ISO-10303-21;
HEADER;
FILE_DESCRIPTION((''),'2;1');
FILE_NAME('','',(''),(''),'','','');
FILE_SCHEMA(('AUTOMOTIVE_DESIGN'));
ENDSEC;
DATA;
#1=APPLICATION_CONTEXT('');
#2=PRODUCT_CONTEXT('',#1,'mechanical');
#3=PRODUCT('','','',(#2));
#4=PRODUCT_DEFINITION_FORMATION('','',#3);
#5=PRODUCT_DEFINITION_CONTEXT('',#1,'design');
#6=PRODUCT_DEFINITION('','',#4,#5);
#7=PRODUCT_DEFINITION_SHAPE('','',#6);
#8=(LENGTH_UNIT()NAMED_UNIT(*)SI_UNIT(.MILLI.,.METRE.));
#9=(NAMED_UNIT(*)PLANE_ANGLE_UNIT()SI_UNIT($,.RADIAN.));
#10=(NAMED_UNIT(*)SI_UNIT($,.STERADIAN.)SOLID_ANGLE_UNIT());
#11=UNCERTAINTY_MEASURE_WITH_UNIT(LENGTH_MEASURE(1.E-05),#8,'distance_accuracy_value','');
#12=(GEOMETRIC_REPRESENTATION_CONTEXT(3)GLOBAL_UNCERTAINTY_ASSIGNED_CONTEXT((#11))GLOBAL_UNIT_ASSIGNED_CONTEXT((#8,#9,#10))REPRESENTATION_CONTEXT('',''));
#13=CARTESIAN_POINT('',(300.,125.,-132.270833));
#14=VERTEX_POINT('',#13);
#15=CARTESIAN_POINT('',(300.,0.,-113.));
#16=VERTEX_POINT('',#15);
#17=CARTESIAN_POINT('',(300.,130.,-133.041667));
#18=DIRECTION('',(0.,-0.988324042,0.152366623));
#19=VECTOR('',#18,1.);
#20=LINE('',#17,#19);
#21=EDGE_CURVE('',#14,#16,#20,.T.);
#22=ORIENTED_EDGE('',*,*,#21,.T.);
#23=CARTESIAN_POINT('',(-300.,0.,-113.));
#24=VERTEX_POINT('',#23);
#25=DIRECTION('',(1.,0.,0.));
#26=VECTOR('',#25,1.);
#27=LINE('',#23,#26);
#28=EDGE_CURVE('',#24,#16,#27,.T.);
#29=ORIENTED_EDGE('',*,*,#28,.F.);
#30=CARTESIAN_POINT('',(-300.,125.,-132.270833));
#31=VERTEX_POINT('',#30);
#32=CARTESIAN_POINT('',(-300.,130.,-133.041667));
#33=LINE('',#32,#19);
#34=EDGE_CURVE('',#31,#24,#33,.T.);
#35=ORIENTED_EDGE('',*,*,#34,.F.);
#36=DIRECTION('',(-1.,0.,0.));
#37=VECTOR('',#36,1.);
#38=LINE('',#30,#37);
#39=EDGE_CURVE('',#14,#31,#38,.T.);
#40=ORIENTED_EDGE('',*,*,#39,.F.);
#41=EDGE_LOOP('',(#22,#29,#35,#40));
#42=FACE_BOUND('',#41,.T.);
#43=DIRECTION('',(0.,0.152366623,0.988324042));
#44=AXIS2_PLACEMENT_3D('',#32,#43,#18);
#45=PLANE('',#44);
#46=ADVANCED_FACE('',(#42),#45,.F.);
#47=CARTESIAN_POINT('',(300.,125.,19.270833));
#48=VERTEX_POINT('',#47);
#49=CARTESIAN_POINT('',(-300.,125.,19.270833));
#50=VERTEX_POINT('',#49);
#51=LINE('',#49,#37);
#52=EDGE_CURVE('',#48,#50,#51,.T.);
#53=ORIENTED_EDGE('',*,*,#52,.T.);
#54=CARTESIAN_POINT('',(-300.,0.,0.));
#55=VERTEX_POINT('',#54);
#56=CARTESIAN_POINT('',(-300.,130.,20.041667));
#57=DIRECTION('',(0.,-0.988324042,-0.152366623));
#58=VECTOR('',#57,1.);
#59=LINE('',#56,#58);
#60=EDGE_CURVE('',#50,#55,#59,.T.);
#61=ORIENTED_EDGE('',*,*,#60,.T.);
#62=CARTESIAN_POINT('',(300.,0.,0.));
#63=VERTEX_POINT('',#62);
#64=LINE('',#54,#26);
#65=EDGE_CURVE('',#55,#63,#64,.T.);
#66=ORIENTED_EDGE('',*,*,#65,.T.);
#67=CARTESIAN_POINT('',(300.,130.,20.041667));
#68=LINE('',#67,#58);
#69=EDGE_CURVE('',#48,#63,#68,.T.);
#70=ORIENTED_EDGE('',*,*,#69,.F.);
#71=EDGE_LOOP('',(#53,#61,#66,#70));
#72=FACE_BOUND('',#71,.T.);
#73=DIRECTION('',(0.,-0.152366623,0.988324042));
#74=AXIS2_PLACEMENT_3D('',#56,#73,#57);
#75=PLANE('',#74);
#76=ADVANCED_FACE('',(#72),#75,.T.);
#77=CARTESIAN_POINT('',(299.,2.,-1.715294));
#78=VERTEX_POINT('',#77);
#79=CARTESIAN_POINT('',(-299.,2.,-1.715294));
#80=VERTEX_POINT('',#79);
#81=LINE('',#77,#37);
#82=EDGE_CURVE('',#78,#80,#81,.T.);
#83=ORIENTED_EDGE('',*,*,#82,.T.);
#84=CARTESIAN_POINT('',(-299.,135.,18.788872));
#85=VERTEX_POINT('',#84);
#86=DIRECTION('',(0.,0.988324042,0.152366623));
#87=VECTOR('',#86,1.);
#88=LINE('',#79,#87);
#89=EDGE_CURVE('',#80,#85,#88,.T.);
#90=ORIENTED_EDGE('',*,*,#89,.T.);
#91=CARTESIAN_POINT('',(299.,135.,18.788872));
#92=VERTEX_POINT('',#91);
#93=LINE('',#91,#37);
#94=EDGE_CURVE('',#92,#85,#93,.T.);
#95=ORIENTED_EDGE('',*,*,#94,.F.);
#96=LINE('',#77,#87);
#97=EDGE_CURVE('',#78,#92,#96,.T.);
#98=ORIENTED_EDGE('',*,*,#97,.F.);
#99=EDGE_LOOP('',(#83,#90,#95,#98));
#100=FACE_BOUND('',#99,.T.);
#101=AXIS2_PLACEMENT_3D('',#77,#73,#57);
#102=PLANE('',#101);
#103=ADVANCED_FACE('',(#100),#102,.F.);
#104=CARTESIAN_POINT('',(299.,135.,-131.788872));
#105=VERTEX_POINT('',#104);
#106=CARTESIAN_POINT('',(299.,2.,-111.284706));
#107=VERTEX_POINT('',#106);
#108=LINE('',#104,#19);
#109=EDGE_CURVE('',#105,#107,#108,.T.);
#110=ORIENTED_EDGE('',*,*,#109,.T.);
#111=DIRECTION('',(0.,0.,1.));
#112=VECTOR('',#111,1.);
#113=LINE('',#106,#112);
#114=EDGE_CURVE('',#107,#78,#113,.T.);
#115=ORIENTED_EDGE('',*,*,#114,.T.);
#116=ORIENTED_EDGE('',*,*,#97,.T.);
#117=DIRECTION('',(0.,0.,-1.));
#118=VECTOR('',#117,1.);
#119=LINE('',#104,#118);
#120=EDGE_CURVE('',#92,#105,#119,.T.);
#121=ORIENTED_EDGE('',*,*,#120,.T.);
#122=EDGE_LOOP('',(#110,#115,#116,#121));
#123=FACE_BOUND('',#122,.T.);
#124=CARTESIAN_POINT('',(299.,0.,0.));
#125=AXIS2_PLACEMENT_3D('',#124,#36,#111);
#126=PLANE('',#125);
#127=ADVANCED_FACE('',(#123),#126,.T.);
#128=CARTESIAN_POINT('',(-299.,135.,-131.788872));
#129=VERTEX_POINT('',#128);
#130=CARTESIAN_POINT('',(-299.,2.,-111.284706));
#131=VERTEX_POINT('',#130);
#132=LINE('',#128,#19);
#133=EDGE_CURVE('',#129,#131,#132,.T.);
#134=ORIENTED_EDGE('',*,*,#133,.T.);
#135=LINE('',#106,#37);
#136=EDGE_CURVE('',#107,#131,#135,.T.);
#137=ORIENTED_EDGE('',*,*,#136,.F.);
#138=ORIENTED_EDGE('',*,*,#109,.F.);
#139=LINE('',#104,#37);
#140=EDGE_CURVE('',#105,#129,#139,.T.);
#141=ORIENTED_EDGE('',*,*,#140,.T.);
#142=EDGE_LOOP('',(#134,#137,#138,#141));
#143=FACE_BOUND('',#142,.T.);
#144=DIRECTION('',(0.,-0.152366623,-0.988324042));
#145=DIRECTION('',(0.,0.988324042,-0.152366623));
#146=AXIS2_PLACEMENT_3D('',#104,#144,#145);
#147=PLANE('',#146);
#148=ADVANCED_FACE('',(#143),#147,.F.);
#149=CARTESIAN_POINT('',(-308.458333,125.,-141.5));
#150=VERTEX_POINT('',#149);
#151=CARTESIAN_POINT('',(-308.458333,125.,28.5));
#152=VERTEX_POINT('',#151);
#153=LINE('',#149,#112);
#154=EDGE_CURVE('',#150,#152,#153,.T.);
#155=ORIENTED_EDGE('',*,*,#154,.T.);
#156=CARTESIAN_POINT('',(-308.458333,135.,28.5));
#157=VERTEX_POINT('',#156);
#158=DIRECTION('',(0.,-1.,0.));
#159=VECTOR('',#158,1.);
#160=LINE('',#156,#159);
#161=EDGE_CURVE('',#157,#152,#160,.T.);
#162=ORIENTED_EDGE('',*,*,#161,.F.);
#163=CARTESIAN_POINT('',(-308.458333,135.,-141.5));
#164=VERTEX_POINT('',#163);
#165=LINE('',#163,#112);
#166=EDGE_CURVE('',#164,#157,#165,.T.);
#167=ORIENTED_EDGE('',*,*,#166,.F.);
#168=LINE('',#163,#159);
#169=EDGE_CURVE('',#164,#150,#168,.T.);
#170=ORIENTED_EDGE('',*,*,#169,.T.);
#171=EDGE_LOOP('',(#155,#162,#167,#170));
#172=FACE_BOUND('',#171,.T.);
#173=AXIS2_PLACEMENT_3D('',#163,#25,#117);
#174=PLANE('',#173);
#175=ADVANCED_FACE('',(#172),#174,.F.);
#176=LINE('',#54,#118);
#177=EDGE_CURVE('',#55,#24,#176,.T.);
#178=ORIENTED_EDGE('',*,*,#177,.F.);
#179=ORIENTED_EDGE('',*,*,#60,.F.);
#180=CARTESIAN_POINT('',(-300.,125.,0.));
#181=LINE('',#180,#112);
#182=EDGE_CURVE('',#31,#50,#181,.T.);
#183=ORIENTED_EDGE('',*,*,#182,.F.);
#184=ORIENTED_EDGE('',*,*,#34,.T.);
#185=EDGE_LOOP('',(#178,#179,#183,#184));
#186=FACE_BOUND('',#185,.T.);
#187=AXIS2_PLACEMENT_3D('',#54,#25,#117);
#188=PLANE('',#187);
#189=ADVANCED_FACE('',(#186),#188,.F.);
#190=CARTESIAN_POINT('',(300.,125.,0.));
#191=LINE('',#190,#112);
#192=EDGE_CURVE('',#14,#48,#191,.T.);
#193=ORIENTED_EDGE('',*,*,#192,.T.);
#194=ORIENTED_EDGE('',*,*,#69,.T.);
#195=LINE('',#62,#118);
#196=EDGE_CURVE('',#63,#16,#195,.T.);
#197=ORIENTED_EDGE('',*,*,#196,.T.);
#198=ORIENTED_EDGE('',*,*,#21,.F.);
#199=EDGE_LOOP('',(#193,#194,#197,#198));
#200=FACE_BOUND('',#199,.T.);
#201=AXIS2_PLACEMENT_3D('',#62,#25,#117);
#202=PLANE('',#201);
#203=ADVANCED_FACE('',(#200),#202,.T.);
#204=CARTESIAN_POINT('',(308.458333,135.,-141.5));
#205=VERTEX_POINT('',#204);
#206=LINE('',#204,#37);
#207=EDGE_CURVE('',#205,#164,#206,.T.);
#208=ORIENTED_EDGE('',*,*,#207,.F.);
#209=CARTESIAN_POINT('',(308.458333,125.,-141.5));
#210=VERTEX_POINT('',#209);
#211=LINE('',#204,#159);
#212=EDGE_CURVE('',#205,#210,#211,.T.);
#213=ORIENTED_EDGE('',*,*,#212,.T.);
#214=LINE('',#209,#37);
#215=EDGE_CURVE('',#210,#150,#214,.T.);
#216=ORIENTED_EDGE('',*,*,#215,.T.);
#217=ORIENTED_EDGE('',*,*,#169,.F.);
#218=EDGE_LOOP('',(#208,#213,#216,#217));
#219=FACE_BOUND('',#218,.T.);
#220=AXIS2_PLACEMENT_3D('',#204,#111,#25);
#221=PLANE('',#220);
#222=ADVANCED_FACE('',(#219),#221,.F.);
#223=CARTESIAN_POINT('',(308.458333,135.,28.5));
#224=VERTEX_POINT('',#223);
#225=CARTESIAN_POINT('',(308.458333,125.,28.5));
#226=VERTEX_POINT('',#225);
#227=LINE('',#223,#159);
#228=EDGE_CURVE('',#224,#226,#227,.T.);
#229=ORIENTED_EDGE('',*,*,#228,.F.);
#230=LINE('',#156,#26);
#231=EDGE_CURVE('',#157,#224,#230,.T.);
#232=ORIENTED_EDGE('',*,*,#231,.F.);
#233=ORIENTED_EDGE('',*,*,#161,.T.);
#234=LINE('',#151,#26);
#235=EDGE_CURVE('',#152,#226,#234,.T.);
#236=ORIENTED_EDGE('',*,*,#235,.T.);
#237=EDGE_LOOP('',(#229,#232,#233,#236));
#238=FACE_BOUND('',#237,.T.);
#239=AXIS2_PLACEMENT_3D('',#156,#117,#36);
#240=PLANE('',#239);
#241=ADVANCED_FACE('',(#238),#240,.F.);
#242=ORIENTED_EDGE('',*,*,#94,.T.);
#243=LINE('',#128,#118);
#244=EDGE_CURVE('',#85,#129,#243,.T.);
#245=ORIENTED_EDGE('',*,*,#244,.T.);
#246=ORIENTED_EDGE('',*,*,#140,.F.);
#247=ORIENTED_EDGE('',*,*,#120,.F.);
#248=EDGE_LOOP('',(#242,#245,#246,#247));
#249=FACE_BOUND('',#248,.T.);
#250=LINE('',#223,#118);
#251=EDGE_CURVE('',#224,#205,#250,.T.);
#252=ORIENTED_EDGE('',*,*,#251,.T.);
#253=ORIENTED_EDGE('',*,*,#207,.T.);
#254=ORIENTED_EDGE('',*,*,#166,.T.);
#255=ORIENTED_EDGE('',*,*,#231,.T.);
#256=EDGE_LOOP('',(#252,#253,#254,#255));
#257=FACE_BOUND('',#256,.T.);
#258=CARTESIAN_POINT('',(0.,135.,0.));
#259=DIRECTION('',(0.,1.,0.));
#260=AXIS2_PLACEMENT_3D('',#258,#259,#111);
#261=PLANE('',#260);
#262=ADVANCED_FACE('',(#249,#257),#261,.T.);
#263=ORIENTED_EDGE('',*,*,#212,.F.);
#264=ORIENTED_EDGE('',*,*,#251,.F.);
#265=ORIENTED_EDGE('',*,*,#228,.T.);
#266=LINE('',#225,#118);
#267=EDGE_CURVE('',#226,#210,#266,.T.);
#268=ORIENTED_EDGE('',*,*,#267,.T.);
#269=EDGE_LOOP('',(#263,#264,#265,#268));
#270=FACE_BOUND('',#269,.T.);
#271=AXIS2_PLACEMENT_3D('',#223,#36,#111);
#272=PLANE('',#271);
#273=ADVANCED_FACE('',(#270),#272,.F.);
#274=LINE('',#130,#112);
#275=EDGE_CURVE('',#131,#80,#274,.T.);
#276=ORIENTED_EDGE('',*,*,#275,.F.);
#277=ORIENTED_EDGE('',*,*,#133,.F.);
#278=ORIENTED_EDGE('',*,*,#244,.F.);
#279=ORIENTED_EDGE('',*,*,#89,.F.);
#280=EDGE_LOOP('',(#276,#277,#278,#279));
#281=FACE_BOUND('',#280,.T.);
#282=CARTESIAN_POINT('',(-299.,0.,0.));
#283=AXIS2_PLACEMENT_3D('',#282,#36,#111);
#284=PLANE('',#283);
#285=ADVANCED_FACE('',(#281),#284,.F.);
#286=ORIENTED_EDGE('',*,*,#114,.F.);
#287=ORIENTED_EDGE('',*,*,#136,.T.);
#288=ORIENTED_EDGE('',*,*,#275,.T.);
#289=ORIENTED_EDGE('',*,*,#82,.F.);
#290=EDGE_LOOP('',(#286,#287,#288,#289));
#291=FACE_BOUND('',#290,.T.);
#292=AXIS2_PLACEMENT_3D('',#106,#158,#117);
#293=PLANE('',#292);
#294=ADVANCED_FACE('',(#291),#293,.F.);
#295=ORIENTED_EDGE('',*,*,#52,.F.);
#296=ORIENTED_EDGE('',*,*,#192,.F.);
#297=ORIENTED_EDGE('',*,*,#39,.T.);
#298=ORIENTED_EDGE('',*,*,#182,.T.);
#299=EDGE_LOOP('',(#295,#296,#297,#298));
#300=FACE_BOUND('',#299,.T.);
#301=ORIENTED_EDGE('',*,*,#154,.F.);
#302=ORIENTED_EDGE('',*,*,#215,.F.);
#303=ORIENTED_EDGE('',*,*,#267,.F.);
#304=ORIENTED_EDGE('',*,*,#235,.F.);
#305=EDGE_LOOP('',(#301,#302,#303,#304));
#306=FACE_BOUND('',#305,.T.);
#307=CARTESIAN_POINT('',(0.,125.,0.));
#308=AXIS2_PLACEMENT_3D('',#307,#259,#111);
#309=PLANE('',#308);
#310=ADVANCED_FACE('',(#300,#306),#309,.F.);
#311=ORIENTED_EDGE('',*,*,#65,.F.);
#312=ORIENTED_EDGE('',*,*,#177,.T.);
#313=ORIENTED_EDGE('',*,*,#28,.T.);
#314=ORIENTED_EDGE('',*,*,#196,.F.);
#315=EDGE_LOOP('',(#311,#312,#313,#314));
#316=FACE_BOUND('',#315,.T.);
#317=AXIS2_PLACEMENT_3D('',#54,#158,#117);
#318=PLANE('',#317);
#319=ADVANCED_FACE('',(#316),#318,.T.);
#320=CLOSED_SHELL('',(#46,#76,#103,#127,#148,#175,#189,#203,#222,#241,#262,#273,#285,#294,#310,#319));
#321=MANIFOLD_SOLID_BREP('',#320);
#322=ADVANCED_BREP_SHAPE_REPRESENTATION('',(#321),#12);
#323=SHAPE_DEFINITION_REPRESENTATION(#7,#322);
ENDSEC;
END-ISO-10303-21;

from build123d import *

# Parameters (mm, degrees)
BOSS_EXTRUDE1_DEPTH = 300
SKETCH2_W           = 616.91666666
SKETCH2_H           = 169.999999994
BOSS_EXTRUDE2_DEPTH = 5
CUT_EXTRUDE1_START  = -300
CUT_EXTRUDE1_DEPTH  = 299


with BuildPart() as part:
    # Sketch1 → Boss-Extrude1 (new, symmetric)
    with BuildSketch(Plane(origin=(0, 0, 0), x_dir=(0, 0, -1), z_dir=(1, 0, 0))):
        Polygon((0, 0), (113, 0), (133.041666667, 130), (-20.041666667, 130), align=None)
    extrude(amount=BOSS_EXTRUDE1_DEPTH, both=True)

    # Sketch2 → Boss-Extrude2 (add, symmetric)
    with BuildSketch(Plane(origin=(0, 130, 0), x_dir=(1, 0, 0), z_dir=(0, 1, 0))):
        with Locations((0, 56.5)):
            Rectangle(SKETCH2_W, SKETCH2_H)
    extrude(amount=BOSS_EXTRUDE2_DEPTH, both=True)

    # Sketch3 → Cut-Extrude1 (cut, symmetric)
    with BuildSketch(Plane.ZY.offset(300).offset(CUT_EXTRUDE1_START)):
        Polygon((-131.788872207, 135), (18.788872207, 135), (-1.71529446, 2), (-111.28470554, 2), align=None)
    extrude(amount=CUT_EXTRUDE1_DEPTH, both=True, mode=Mode.SUBTRACT)


solid = part.part
